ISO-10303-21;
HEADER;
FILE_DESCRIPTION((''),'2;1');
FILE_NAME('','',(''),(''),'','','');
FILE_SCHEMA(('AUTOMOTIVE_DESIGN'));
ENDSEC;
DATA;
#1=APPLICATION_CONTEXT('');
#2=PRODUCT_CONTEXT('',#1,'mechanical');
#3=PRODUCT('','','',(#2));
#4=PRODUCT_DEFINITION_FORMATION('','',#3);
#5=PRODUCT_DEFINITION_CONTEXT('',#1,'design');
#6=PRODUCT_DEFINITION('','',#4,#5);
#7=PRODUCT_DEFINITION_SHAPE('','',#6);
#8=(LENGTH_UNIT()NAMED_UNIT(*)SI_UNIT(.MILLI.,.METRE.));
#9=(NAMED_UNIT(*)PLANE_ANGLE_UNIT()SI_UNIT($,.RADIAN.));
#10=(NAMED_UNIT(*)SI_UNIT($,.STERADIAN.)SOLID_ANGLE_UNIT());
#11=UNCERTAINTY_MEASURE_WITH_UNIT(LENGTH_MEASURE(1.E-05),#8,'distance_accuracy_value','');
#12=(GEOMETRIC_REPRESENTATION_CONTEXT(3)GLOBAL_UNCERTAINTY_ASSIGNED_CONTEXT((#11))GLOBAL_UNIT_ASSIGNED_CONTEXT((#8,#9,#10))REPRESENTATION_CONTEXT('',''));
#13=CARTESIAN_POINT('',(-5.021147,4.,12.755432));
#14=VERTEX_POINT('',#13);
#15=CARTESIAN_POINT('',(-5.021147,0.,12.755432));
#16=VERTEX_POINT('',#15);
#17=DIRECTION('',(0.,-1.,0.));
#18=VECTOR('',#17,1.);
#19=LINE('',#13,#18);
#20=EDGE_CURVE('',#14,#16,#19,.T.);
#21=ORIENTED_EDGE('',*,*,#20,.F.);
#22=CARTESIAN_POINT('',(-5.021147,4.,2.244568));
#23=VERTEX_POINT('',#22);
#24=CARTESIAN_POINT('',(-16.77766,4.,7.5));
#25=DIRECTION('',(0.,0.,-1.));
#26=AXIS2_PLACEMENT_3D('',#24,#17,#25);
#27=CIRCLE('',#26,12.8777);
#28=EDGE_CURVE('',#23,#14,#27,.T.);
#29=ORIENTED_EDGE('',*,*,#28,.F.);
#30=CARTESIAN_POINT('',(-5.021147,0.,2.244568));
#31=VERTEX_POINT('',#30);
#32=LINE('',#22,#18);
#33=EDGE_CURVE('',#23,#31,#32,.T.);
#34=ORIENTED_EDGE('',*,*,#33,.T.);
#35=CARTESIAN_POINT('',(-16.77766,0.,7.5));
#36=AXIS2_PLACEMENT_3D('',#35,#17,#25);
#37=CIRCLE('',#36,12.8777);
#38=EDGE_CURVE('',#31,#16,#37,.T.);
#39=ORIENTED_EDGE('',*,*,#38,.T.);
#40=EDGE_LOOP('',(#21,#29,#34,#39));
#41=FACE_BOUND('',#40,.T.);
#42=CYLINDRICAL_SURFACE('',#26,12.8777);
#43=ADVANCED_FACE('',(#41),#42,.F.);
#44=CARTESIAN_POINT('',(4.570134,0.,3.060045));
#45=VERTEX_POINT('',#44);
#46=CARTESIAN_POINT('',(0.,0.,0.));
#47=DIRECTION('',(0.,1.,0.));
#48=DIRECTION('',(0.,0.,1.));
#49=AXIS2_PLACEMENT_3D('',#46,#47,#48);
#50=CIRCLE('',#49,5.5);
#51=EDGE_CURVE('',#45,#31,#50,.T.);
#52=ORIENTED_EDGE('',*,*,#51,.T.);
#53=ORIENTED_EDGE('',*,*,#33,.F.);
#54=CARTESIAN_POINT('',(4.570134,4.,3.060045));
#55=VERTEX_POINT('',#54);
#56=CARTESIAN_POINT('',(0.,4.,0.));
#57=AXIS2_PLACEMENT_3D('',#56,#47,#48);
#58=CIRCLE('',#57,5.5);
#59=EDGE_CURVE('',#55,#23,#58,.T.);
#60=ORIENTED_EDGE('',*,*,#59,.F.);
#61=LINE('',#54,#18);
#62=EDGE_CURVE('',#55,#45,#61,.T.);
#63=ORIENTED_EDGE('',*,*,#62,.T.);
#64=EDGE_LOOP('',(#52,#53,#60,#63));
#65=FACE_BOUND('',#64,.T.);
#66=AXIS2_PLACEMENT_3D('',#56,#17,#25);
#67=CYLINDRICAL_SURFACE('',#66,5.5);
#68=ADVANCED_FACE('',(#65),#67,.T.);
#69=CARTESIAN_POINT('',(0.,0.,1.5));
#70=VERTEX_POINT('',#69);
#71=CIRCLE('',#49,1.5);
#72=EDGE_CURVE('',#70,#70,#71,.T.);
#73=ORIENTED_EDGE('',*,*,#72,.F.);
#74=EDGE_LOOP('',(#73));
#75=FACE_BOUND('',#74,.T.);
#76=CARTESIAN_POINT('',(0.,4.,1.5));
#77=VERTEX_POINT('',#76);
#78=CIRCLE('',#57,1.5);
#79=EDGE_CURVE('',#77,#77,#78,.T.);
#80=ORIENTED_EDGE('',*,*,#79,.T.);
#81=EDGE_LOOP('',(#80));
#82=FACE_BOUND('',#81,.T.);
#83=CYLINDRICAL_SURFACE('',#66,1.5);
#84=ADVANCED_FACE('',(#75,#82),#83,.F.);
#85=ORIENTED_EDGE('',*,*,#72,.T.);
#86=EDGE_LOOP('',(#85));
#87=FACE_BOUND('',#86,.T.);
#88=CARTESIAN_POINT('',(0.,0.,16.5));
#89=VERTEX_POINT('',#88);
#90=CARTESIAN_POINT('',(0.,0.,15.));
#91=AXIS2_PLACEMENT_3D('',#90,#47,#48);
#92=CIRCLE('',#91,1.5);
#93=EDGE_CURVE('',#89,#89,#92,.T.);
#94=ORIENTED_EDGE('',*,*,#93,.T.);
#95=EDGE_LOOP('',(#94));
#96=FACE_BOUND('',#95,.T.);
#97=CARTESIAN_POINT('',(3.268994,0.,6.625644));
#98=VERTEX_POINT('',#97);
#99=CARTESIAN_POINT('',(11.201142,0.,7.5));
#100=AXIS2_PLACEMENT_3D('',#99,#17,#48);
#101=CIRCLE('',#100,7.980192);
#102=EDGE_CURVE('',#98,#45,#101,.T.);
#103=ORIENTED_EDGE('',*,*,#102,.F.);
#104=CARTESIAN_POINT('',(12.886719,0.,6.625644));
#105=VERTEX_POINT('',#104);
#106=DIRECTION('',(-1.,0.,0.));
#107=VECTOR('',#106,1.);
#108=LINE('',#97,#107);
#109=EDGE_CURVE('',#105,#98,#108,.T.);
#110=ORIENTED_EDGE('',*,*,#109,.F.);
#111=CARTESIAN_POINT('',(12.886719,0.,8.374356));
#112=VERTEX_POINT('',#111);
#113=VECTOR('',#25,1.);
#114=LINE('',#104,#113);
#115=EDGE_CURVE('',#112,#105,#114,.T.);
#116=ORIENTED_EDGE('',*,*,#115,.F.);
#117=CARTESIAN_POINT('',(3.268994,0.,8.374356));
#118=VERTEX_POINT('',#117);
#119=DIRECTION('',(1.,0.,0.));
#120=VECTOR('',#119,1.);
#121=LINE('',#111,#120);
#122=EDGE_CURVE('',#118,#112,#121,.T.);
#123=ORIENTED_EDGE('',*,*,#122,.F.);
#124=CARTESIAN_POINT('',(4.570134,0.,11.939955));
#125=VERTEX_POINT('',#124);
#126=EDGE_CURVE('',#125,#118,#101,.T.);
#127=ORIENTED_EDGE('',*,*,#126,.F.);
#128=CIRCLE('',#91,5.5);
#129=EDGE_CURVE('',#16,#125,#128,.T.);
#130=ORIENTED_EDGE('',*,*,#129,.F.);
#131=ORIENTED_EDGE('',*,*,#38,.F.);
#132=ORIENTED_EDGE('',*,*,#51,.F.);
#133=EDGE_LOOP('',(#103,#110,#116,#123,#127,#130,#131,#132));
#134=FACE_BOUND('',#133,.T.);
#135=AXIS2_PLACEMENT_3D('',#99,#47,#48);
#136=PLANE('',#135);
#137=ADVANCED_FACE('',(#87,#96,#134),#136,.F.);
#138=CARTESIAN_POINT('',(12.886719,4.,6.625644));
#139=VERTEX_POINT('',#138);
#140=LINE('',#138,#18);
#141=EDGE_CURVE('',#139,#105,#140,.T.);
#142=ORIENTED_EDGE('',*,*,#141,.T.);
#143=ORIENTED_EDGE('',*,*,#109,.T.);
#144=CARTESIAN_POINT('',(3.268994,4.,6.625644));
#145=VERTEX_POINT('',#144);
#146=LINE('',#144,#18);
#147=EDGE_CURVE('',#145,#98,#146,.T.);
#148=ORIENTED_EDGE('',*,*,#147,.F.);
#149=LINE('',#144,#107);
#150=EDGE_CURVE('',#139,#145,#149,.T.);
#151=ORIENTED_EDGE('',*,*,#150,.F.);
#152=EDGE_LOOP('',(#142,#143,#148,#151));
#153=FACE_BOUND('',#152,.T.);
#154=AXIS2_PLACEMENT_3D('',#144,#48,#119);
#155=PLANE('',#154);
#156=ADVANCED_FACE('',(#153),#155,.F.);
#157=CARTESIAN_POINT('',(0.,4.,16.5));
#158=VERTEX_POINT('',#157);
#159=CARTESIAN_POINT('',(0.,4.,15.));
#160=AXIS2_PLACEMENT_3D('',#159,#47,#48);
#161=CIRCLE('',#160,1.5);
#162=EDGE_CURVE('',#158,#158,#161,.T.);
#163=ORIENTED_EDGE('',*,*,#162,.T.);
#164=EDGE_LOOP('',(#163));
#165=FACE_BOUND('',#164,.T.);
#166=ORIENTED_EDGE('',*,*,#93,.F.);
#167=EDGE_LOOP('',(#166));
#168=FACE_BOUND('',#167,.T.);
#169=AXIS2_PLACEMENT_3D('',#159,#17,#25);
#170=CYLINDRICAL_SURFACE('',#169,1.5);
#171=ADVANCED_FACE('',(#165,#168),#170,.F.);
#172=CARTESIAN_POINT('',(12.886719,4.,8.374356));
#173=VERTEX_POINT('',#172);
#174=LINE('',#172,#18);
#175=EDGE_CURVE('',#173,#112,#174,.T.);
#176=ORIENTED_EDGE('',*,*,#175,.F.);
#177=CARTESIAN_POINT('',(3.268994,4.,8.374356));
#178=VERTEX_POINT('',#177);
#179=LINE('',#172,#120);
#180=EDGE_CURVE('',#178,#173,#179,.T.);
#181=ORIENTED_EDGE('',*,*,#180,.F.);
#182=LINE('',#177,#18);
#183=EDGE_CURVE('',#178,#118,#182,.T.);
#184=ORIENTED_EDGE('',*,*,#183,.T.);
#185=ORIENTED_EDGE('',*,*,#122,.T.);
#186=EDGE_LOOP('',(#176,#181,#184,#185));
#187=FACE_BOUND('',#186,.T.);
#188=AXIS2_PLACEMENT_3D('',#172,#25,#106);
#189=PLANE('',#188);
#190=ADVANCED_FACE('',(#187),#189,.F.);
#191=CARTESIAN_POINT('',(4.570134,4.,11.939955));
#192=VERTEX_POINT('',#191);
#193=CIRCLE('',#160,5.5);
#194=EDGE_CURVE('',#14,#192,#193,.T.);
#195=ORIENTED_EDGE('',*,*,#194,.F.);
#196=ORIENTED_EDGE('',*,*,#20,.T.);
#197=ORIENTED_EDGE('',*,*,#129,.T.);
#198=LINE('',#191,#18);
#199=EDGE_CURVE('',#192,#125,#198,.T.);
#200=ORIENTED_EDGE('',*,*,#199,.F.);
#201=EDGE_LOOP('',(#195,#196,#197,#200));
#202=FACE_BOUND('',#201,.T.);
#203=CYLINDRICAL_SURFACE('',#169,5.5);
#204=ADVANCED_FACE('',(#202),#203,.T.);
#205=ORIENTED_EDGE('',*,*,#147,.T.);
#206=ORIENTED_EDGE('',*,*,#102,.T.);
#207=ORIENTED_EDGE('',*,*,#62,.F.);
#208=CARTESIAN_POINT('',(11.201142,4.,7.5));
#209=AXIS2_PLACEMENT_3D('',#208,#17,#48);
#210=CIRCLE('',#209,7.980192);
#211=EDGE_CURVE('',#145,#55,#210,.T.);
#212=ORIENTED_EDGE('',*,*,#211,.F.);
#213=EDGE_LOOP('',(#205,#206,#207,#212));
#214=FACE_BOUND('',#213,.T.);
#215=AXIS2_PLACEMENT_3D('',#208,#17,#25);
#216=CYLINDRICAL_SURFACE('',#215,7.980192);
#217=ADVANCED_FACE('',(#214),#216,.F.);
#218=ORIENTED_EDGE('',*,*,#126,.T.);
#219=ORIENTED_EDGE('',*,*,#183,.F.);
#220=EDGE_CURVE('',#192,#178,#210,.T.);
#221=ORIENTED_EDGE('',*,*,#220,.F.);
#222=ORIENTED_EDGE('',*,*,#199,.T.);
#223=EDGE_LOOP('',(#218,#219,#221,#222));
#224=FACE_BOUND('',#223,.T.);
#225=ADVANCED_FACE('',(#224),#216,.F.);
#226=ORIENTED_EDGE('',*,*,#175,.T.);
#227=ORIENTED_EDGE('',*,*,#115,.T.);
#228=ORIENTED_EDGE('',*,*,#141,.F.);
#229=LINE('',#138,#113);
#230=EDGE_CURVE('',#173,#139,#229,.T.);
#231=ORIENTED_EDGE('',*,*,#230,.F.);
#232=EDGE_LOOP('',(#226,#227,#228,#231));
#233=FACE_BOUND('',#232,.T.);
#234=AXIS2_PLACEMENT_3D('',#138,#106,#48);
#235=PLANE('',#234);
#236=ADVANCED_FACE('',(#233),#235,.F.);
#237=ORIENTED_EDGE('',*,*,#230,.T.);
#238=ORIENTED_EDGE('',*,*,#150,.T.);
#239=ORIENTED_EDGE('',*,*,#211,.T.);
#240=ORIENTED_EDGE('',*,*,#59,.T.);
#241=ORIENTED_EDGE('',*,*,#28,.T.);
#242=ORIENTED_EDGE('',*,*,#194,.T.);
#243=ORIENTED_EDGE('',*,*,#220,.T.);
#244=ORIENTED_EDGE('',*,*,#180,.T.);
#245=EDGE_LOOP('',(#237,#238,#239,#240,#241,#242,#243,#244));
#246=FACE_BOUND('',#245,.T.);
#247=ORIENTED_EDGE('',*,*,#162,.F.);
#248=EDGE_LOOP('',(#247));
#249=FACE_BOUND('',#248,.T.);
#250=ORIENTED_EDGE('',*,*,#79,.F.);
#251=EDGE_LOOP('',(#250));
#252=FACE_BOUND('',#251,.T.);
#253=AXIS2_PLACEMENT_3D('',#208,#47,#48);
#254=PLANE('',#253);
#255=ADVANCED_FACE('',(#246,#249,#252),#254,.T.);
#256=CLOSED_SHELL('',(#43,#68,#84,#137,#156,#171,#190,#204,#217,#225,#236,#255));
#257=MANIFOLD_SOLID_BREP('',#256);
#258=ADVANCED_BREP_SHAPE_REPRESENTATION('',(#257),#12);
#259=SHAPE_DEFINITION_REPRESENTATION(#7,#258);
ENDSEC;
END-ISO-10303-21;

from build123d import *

# Parameters (mm, degrees)
SKETCH1_R           = 1.5
BOSS_EXTRUDE1_DEPTH = 4


with BuildPart() as part:
    # Sketch1 → Boss-Extrude1 (new body)
    with BuildSketch(Plane(origin=(0, 0, 0), x_dir=(1, 0, 0), z_dir=(0, 1, 0))):
        with BuildLine():
            Line((3.268994099, -6.625644187), (12.886719117, -6.625644187))
            Line((12.886719117, -6.625644187), (12.886719117, -8.374355813))
            Line((12.886719117, -8.374355813), (3.268994099, -8.374355813))
            ThreePointArc((3.268994099, -8.374355813), (3.704492519, -10.235637907), (4.570133689, -11.939954566))
            ThreePointArc((4.570133689, -11.939954566), (0.465944189, -20.480227734), (-5.021146674, -12.755431873))
            ThreePointArc((-5.021146674, -12.755431873), (-3.899959484, -7.5), (-5.021146674, -2.244568127))
            ThreePointArc((-5.021146674, -2.244568127), (0.465944189, 5.480227734), (4.570133689, -3.060045434))
            ThreePointArc((4.570133689, -3.060045434), (3.704492519, -4.764362093), (3.268994099, -6.625644187))
        make_face()
        Circle(SKETCH1_R, mode=Mode.SUBTRACT)
        with Locations((0, -15)):
            Circle(SKETCH1_R, mode=Mode.SUBTRACT)
    extrude(amount=BOSS_EXTRUDE1_DEPTH)


solid = part.part
